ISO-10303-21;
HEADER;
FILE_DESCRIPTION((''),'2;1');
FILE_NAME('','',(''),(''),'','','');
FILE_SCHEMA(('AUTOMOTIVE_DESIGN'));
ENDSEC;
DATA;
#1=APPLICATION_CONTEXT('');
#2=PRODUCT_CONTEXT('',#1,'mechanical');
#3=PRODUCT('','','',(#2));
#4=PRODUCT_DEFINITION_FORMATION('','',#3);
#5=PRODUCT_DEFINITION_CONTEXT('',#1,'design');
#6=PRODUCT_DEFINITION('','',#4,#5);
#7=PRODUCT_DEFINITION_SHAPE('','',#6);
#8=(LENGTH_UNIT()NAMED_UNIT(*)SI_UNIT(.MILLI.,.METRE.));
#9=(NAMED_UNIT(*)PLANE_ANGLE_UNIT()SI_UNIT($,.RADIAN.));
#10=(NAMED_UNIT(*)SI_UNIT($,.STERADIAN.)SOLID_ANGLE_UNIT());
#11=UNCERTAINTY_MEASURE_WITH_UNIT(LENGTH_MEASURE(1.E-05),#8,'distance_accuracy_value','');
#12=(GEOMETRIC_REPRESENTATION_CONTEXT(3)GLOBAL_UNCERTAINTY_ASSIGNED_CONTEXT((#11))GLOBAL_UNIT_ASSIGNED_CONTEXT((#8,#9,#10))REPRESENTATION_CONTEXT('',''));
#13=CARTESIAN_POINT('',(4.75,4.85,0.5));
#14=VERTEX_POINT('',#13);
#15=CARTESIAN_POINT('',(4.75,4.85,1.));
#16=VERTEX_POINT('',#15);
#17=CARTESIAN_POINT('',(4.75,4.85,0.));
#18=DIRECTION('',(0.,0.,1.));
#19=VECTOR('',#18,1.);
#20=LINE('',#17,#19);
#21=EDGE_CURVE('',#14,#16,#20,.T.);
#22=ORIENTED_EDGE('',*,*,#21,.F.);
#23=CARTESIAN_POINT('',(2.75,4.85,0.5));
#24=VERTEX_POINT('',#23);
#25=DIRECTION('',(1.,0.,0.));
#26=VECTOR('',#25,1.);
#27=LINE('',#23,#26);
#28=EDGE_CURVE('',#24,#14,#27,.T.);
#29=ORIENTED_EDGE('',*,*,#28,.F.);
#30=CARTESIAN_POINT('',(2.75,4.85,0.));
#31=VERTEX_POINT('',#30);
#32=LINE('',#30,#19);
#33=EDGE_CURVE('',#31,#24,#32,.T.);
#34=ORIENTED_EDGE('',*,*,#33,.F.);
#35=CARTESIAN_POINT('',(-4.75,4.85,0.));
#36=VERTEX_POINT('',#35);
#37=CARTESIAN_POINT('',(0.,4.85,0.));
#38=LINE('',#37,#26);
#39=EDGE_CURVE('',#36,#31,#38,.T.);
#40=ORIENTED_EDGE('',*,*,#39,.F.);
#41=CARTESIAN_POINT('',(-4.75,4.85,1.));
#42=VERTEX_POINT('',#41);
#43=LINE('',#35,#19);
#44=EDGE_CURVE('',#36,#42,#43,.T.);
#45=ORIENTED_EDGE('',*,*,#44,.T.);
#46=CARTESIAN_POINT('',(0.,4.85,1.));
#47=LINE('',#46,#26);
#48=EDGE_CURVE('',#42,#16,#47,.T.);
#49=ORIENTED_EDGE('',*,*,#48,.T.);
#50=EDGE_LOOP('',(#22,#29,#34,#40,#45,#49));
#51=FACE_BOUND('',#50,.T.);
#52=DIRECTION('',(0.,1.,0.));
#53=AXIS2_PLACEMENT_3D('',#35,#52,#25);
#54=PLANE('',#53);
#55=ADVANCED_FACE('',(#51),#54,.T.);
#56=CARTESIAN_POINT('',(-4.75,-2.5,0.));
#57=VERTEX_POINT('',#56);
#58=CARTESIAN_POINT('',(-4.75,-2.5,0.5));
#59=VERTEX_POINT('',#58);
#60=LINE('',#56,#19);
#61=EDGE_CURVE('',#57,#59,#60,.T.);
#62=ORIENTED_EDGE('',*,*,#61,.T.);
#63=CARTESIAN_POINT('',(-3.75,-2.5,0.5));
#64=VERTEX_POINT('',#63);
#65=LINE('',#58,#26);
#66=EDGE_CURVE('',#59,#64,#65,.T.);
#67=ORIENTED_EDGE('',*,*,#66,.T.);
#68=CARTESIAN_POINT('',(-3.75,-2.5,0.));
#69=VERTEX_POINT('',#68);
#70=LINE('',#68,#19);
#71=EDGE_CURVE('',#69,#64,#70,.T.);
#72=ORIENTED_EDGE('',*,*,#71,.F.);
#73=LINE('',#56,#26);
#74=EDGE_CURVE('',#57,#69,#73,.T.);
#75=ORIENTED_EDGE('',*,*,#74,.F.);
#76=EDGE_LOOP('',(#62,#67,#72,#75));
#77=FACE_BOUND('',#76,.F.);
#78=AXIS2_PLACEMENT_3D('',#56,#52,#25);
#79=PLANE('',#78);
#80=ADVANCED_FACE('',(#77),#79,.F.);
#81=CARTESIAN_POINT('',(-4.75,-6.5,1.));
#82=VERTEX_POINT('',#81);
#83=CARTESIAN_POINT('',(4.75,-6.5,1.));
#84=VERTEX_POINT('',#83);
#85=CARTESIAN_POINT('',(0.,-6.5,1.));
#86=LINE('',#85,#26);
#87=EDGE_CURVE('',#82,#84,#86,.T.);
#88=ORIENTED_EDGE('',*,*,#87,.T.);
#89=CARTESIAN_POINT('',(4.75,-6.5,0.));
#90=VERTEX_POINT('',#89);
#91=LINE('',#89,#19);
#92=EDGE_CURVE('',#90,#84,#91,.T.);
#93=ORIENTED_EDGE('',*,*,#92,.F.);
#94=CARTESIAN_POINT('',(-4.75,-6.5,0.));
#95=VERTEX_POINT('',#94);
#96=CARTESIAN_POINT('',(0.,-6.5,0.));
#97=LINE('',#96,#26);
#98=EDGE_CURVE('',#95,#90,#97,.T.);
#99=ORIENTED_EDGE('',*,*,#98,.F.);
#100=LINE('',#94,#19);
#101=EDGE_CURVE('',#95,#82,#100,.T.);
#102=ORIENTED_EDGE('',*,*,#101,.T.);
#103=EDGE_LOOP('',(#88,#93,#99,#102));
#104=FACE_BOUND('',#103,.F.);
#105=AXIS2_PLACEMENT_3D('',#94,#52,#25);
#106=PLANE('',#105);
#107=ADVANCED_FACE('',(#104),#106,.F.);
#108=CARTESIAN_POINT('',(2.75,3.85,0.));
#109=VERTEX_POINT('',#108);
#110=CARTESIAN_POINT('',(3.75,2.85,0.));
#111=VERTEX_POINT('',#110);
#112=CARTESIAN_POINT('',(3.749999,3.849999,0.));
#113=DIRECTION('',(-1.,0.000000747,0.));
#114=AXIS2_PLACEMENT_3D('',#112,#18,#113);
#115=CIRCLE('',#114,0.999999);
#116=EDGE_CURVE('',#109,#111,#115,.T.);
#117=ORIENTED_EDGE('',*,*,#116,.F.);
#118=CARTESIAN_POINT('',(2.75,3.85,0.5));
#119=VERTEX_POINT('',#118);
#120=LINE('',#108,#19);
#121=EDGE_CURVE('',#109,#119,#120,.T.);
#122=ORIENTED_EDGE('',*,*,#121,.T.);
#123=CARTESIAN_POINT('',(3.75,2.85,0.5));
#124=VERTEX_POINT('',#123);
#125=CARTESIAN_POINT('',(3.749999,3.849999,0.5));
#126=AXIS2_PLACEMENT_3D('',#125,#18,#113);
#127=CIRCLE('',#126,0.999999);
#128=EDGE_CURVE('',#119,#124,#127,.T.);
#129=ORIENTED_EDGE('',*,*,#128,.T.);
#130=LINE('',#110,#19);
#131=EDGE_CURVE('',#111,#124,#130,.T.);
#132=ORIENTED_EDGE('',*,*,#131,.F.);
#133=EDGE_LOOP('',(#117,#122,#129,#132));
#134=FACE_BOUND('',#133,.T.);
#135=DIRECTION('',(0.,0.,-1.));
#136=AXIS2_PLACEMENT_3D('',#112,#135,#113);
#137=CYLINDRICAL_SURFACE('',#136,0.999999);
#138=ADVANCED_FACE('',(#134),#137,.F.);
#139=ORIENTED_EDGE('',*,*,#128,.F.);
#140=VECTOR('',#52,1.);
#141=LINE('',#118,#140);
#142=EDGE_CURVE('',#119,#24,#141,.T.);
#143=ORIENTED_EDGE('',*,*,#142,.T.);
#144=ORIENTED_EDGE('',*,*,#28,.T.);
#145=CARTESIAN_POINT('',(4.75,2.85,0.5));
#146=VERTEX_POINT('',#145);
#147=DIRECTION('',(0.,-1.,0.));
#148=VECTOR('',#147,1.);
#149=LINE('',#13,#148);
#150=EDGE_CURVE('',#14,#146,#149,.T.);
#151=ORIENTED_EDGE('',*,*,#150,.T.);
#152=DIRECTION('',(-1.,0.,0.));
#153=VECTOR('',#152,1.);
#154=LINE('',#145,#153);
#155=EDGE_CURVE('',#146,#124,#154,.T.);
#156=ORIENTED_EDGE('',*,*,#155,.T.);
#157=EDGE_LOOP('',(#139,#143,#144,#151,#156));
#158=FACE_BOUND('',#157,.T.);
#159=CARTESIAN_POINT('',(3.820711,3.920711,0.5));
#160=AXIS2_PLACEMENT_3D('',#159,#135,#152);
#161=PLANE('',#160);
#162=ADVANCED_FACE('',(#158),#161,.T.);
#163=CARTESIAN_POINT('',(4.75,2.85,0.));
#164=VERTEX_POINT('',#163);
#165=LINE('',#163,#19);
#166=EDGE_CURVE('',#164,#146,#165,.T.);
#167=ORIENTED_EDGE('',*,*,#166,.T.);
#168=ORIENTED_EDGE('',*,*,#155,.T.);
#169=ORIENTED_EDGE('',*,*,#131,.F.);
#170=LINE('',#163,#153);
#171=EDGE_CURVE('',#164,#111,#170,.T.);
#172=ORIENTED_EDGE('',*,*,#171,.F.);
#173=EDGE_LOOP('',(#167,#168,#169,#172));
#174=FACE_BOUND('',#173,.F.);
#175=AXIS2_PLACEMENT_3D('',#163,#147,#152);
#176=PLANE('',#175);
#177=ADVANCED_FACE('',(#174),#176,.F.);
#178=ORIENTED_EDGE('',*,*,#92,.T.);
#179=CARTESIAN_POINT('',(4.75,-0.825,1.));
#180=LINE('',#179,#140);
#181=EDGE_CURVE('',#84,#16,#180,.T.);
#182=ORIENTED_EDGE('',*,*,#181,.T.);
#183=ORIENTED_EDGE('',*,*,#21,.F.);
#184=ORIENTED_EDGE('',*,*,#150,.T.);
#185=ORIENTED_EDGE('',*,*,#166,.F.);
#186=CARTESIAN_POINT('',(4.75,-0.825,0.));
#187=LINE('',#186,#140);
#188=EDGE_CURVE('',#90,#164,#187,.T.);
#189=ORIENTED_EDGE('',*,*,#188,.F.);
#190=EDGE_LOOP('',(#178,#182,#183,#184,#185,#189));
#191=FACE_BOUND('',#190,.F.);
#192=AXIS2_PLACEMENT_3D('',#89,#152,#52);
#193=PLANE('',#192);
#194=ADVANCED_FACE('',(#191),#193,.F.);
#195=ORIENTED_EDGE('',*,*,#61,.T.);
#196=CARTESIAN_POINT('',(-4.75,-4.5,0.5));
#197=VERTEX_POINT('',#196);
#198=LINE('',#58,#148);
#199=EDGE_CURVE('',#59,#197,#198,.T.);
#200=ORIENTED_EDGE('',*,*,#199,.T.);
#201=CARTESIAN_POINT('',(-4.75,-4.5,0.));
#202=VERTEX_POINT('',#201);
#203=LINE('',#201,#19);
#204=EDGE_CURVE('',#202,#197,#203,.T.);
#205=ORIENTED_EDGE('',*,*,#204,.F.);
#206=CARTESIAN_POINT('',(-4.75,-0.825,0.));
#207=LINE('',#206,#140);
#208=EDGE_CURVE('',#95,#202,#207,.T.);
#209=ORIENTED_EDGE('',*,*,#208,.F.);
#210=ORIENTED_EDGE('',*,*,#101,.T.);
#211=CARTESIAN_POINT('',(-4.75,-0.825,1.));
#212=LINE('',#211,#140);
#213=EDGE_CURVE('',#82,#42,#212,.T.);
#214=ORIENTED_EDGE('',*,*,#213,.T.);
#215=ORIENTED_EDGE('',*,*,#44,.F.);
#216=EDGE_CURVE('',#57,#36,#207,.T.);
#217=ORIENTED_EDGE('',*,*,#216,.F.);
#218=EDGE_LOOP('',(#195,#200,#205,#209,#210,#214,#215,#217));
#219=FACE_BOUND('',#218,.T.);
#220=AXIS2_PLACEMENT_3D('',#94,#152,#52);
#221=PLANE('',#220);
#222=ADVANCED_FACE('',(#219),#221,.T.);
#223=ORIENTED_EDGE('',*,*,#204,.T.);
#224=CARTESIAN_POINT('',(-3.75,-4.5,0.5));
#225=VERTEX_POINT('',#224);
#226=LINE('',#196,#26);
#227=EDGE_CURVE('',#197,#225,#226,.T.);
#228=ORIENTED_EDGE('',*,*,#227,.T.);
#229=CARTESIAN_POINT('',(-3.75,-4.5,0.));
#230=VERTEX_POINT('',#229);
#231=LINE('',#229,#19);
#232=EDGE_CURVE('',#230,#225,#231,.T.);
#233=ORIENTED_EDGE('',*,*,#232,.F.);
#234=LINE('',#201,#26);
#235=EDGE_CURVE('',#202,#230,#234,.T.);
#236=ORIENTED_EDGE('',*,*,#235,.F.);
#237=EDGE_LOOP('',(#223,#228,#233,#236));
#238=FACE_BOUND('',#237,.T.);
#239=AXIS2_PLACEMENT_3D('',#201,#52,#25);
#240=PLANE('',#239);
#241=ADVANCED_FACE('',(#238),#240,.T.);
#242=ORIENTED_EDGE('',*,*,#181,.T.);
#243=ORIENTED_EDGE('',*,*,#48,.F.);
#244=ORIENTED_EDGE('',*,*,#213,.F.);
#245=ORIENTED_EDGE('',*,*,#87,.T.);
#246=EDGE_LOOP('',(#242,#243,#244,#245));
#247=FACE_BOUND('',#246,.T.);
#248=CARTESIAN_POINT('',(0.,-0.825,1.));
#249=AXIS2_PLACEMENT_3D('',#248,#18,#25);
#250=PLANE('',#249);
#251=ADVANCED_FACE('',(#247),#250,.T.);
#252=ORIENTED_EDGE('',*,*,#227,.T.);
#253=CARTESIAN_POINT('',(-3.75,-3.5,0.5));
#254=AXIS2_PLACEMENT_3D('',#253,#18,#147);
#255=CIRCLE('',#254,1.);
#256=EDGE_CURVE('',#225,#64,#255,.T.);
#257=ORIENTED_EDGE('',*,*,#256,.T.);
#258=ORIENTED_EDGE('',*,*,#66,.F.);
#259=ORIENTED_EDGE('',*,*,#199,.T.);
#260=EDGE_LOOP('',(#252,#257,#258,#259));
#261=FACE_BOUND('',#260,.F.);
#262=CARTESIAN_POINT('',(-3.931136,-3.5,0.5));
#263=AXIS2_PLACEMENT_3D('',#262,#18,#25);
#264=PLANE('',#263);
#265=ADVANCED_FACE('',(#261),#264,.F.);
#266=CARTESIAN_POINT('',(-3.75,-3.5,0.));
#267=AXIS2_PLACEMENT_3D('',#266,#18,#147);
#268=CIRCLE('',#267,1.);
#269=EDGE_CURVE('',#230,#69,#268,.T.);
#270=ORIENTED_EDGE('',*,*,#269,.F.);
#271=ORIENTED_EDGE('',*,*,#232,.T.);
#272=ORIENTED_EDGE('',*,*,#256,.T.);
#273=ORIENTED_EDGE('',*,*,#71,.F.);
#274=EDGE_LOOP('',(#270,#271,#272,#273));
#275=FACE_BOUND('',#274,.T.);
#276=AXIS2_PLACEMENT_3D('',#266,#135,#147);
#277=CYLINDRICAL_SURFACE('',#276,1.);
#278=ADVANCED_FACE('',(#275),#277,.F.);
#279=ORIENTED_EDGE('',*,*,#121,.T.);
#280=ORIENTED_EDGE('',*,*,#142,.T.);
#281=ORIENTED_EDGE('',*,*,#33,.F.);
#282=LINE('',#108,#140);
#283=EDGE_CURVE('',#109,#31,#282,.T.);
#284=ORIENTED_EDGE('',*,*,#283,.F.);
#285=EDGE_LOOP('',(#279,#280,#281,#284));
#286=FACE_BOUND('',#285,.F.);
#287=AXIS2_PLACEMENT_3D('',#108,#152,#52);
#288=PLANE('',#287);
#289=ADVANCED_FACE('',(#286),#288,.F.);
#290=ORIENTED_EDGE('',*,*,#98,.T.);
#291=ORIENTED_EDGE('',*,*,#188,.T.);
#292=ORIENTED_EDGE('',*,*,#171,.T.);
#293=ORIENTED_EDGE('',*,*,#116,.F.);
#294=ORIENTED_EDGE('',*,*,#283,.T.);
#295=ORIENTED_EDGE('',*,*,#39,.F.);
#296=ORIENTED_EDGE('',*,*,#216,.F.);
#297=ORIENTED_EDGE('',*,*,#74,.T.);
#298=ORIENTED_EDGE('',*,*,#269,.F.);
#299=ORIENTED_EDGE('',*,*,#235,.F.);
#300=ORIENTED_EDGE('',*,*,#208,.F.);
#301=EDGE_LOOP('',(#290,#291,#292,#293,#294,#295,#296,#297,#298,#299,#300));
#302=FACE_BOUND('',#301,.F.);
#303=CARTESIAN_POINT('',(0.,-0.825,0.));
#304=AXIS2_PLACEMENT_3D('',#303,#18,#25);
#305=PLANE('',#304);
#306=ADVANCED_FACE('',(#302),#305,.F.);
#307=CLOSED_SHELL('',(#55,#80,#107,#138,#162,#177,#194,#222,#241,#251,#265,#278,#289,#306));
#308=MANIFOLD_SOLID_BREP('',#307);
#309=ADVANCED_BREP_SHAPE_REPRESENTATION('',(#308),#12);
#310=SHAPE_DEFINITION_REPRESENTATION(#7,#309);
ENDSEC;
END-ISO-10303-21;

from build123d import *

# Parameters (mm, degrees)
SKETCH_W        = 9.5
SKETCH_H        = 11.35
PAD_DEPTH       = 1
POCKET002_DEPTH = 0.5
POCKET003_DEPTH = 0.5


with BuildPart() as part:
    # Sketch → Pad (new body)
    with BuildSketch(Plane.XY):
        with Locations((0, -0.825)):
            Rectangle(SKETCH_W, SKETCH_H)
    extrude(amount=PAD_DEPTH)

    # Sketch005 → Pocket002 (cut)
    with BuildSketch(Plane.XY):
        with BuildLine():
            Line((2.75, 4.85), (4.75, 4.85))
            Line((4.75, 4.85), (4.75, 2.85))
            Line((4.75, 2.85), (3.75, 2.85))
            ThreePointArc((2.75, 3.85), (3.042893, 3.142893), (3.75, 2.85))
            Line((2.75, 3.85), (2.75, 4.85))
        make_face()
    extrude(amount=POCKET002_DEPTH, mode=Mode.SUBTRACT)

    # Sketch006 → Pocket003 (cut)
    with BuildSketch(Plane.XY):
        with BuildLine():
            Line((-4.75, -2.5), (-4.75, -4.5))
            Line((-4.75, -4.5), (-3.75, -4.5))
            ThreePointArc((-3.75, -4.5), (-2.75, -3.5), (-3.75, -2.5))
            Line((-4.75, -2.5), (-3.75, -2.5))
        make_face()
    extrude(amount=POCKET003_DEPTH, mode=Mode.SUBTRACT)


solid = part.part
